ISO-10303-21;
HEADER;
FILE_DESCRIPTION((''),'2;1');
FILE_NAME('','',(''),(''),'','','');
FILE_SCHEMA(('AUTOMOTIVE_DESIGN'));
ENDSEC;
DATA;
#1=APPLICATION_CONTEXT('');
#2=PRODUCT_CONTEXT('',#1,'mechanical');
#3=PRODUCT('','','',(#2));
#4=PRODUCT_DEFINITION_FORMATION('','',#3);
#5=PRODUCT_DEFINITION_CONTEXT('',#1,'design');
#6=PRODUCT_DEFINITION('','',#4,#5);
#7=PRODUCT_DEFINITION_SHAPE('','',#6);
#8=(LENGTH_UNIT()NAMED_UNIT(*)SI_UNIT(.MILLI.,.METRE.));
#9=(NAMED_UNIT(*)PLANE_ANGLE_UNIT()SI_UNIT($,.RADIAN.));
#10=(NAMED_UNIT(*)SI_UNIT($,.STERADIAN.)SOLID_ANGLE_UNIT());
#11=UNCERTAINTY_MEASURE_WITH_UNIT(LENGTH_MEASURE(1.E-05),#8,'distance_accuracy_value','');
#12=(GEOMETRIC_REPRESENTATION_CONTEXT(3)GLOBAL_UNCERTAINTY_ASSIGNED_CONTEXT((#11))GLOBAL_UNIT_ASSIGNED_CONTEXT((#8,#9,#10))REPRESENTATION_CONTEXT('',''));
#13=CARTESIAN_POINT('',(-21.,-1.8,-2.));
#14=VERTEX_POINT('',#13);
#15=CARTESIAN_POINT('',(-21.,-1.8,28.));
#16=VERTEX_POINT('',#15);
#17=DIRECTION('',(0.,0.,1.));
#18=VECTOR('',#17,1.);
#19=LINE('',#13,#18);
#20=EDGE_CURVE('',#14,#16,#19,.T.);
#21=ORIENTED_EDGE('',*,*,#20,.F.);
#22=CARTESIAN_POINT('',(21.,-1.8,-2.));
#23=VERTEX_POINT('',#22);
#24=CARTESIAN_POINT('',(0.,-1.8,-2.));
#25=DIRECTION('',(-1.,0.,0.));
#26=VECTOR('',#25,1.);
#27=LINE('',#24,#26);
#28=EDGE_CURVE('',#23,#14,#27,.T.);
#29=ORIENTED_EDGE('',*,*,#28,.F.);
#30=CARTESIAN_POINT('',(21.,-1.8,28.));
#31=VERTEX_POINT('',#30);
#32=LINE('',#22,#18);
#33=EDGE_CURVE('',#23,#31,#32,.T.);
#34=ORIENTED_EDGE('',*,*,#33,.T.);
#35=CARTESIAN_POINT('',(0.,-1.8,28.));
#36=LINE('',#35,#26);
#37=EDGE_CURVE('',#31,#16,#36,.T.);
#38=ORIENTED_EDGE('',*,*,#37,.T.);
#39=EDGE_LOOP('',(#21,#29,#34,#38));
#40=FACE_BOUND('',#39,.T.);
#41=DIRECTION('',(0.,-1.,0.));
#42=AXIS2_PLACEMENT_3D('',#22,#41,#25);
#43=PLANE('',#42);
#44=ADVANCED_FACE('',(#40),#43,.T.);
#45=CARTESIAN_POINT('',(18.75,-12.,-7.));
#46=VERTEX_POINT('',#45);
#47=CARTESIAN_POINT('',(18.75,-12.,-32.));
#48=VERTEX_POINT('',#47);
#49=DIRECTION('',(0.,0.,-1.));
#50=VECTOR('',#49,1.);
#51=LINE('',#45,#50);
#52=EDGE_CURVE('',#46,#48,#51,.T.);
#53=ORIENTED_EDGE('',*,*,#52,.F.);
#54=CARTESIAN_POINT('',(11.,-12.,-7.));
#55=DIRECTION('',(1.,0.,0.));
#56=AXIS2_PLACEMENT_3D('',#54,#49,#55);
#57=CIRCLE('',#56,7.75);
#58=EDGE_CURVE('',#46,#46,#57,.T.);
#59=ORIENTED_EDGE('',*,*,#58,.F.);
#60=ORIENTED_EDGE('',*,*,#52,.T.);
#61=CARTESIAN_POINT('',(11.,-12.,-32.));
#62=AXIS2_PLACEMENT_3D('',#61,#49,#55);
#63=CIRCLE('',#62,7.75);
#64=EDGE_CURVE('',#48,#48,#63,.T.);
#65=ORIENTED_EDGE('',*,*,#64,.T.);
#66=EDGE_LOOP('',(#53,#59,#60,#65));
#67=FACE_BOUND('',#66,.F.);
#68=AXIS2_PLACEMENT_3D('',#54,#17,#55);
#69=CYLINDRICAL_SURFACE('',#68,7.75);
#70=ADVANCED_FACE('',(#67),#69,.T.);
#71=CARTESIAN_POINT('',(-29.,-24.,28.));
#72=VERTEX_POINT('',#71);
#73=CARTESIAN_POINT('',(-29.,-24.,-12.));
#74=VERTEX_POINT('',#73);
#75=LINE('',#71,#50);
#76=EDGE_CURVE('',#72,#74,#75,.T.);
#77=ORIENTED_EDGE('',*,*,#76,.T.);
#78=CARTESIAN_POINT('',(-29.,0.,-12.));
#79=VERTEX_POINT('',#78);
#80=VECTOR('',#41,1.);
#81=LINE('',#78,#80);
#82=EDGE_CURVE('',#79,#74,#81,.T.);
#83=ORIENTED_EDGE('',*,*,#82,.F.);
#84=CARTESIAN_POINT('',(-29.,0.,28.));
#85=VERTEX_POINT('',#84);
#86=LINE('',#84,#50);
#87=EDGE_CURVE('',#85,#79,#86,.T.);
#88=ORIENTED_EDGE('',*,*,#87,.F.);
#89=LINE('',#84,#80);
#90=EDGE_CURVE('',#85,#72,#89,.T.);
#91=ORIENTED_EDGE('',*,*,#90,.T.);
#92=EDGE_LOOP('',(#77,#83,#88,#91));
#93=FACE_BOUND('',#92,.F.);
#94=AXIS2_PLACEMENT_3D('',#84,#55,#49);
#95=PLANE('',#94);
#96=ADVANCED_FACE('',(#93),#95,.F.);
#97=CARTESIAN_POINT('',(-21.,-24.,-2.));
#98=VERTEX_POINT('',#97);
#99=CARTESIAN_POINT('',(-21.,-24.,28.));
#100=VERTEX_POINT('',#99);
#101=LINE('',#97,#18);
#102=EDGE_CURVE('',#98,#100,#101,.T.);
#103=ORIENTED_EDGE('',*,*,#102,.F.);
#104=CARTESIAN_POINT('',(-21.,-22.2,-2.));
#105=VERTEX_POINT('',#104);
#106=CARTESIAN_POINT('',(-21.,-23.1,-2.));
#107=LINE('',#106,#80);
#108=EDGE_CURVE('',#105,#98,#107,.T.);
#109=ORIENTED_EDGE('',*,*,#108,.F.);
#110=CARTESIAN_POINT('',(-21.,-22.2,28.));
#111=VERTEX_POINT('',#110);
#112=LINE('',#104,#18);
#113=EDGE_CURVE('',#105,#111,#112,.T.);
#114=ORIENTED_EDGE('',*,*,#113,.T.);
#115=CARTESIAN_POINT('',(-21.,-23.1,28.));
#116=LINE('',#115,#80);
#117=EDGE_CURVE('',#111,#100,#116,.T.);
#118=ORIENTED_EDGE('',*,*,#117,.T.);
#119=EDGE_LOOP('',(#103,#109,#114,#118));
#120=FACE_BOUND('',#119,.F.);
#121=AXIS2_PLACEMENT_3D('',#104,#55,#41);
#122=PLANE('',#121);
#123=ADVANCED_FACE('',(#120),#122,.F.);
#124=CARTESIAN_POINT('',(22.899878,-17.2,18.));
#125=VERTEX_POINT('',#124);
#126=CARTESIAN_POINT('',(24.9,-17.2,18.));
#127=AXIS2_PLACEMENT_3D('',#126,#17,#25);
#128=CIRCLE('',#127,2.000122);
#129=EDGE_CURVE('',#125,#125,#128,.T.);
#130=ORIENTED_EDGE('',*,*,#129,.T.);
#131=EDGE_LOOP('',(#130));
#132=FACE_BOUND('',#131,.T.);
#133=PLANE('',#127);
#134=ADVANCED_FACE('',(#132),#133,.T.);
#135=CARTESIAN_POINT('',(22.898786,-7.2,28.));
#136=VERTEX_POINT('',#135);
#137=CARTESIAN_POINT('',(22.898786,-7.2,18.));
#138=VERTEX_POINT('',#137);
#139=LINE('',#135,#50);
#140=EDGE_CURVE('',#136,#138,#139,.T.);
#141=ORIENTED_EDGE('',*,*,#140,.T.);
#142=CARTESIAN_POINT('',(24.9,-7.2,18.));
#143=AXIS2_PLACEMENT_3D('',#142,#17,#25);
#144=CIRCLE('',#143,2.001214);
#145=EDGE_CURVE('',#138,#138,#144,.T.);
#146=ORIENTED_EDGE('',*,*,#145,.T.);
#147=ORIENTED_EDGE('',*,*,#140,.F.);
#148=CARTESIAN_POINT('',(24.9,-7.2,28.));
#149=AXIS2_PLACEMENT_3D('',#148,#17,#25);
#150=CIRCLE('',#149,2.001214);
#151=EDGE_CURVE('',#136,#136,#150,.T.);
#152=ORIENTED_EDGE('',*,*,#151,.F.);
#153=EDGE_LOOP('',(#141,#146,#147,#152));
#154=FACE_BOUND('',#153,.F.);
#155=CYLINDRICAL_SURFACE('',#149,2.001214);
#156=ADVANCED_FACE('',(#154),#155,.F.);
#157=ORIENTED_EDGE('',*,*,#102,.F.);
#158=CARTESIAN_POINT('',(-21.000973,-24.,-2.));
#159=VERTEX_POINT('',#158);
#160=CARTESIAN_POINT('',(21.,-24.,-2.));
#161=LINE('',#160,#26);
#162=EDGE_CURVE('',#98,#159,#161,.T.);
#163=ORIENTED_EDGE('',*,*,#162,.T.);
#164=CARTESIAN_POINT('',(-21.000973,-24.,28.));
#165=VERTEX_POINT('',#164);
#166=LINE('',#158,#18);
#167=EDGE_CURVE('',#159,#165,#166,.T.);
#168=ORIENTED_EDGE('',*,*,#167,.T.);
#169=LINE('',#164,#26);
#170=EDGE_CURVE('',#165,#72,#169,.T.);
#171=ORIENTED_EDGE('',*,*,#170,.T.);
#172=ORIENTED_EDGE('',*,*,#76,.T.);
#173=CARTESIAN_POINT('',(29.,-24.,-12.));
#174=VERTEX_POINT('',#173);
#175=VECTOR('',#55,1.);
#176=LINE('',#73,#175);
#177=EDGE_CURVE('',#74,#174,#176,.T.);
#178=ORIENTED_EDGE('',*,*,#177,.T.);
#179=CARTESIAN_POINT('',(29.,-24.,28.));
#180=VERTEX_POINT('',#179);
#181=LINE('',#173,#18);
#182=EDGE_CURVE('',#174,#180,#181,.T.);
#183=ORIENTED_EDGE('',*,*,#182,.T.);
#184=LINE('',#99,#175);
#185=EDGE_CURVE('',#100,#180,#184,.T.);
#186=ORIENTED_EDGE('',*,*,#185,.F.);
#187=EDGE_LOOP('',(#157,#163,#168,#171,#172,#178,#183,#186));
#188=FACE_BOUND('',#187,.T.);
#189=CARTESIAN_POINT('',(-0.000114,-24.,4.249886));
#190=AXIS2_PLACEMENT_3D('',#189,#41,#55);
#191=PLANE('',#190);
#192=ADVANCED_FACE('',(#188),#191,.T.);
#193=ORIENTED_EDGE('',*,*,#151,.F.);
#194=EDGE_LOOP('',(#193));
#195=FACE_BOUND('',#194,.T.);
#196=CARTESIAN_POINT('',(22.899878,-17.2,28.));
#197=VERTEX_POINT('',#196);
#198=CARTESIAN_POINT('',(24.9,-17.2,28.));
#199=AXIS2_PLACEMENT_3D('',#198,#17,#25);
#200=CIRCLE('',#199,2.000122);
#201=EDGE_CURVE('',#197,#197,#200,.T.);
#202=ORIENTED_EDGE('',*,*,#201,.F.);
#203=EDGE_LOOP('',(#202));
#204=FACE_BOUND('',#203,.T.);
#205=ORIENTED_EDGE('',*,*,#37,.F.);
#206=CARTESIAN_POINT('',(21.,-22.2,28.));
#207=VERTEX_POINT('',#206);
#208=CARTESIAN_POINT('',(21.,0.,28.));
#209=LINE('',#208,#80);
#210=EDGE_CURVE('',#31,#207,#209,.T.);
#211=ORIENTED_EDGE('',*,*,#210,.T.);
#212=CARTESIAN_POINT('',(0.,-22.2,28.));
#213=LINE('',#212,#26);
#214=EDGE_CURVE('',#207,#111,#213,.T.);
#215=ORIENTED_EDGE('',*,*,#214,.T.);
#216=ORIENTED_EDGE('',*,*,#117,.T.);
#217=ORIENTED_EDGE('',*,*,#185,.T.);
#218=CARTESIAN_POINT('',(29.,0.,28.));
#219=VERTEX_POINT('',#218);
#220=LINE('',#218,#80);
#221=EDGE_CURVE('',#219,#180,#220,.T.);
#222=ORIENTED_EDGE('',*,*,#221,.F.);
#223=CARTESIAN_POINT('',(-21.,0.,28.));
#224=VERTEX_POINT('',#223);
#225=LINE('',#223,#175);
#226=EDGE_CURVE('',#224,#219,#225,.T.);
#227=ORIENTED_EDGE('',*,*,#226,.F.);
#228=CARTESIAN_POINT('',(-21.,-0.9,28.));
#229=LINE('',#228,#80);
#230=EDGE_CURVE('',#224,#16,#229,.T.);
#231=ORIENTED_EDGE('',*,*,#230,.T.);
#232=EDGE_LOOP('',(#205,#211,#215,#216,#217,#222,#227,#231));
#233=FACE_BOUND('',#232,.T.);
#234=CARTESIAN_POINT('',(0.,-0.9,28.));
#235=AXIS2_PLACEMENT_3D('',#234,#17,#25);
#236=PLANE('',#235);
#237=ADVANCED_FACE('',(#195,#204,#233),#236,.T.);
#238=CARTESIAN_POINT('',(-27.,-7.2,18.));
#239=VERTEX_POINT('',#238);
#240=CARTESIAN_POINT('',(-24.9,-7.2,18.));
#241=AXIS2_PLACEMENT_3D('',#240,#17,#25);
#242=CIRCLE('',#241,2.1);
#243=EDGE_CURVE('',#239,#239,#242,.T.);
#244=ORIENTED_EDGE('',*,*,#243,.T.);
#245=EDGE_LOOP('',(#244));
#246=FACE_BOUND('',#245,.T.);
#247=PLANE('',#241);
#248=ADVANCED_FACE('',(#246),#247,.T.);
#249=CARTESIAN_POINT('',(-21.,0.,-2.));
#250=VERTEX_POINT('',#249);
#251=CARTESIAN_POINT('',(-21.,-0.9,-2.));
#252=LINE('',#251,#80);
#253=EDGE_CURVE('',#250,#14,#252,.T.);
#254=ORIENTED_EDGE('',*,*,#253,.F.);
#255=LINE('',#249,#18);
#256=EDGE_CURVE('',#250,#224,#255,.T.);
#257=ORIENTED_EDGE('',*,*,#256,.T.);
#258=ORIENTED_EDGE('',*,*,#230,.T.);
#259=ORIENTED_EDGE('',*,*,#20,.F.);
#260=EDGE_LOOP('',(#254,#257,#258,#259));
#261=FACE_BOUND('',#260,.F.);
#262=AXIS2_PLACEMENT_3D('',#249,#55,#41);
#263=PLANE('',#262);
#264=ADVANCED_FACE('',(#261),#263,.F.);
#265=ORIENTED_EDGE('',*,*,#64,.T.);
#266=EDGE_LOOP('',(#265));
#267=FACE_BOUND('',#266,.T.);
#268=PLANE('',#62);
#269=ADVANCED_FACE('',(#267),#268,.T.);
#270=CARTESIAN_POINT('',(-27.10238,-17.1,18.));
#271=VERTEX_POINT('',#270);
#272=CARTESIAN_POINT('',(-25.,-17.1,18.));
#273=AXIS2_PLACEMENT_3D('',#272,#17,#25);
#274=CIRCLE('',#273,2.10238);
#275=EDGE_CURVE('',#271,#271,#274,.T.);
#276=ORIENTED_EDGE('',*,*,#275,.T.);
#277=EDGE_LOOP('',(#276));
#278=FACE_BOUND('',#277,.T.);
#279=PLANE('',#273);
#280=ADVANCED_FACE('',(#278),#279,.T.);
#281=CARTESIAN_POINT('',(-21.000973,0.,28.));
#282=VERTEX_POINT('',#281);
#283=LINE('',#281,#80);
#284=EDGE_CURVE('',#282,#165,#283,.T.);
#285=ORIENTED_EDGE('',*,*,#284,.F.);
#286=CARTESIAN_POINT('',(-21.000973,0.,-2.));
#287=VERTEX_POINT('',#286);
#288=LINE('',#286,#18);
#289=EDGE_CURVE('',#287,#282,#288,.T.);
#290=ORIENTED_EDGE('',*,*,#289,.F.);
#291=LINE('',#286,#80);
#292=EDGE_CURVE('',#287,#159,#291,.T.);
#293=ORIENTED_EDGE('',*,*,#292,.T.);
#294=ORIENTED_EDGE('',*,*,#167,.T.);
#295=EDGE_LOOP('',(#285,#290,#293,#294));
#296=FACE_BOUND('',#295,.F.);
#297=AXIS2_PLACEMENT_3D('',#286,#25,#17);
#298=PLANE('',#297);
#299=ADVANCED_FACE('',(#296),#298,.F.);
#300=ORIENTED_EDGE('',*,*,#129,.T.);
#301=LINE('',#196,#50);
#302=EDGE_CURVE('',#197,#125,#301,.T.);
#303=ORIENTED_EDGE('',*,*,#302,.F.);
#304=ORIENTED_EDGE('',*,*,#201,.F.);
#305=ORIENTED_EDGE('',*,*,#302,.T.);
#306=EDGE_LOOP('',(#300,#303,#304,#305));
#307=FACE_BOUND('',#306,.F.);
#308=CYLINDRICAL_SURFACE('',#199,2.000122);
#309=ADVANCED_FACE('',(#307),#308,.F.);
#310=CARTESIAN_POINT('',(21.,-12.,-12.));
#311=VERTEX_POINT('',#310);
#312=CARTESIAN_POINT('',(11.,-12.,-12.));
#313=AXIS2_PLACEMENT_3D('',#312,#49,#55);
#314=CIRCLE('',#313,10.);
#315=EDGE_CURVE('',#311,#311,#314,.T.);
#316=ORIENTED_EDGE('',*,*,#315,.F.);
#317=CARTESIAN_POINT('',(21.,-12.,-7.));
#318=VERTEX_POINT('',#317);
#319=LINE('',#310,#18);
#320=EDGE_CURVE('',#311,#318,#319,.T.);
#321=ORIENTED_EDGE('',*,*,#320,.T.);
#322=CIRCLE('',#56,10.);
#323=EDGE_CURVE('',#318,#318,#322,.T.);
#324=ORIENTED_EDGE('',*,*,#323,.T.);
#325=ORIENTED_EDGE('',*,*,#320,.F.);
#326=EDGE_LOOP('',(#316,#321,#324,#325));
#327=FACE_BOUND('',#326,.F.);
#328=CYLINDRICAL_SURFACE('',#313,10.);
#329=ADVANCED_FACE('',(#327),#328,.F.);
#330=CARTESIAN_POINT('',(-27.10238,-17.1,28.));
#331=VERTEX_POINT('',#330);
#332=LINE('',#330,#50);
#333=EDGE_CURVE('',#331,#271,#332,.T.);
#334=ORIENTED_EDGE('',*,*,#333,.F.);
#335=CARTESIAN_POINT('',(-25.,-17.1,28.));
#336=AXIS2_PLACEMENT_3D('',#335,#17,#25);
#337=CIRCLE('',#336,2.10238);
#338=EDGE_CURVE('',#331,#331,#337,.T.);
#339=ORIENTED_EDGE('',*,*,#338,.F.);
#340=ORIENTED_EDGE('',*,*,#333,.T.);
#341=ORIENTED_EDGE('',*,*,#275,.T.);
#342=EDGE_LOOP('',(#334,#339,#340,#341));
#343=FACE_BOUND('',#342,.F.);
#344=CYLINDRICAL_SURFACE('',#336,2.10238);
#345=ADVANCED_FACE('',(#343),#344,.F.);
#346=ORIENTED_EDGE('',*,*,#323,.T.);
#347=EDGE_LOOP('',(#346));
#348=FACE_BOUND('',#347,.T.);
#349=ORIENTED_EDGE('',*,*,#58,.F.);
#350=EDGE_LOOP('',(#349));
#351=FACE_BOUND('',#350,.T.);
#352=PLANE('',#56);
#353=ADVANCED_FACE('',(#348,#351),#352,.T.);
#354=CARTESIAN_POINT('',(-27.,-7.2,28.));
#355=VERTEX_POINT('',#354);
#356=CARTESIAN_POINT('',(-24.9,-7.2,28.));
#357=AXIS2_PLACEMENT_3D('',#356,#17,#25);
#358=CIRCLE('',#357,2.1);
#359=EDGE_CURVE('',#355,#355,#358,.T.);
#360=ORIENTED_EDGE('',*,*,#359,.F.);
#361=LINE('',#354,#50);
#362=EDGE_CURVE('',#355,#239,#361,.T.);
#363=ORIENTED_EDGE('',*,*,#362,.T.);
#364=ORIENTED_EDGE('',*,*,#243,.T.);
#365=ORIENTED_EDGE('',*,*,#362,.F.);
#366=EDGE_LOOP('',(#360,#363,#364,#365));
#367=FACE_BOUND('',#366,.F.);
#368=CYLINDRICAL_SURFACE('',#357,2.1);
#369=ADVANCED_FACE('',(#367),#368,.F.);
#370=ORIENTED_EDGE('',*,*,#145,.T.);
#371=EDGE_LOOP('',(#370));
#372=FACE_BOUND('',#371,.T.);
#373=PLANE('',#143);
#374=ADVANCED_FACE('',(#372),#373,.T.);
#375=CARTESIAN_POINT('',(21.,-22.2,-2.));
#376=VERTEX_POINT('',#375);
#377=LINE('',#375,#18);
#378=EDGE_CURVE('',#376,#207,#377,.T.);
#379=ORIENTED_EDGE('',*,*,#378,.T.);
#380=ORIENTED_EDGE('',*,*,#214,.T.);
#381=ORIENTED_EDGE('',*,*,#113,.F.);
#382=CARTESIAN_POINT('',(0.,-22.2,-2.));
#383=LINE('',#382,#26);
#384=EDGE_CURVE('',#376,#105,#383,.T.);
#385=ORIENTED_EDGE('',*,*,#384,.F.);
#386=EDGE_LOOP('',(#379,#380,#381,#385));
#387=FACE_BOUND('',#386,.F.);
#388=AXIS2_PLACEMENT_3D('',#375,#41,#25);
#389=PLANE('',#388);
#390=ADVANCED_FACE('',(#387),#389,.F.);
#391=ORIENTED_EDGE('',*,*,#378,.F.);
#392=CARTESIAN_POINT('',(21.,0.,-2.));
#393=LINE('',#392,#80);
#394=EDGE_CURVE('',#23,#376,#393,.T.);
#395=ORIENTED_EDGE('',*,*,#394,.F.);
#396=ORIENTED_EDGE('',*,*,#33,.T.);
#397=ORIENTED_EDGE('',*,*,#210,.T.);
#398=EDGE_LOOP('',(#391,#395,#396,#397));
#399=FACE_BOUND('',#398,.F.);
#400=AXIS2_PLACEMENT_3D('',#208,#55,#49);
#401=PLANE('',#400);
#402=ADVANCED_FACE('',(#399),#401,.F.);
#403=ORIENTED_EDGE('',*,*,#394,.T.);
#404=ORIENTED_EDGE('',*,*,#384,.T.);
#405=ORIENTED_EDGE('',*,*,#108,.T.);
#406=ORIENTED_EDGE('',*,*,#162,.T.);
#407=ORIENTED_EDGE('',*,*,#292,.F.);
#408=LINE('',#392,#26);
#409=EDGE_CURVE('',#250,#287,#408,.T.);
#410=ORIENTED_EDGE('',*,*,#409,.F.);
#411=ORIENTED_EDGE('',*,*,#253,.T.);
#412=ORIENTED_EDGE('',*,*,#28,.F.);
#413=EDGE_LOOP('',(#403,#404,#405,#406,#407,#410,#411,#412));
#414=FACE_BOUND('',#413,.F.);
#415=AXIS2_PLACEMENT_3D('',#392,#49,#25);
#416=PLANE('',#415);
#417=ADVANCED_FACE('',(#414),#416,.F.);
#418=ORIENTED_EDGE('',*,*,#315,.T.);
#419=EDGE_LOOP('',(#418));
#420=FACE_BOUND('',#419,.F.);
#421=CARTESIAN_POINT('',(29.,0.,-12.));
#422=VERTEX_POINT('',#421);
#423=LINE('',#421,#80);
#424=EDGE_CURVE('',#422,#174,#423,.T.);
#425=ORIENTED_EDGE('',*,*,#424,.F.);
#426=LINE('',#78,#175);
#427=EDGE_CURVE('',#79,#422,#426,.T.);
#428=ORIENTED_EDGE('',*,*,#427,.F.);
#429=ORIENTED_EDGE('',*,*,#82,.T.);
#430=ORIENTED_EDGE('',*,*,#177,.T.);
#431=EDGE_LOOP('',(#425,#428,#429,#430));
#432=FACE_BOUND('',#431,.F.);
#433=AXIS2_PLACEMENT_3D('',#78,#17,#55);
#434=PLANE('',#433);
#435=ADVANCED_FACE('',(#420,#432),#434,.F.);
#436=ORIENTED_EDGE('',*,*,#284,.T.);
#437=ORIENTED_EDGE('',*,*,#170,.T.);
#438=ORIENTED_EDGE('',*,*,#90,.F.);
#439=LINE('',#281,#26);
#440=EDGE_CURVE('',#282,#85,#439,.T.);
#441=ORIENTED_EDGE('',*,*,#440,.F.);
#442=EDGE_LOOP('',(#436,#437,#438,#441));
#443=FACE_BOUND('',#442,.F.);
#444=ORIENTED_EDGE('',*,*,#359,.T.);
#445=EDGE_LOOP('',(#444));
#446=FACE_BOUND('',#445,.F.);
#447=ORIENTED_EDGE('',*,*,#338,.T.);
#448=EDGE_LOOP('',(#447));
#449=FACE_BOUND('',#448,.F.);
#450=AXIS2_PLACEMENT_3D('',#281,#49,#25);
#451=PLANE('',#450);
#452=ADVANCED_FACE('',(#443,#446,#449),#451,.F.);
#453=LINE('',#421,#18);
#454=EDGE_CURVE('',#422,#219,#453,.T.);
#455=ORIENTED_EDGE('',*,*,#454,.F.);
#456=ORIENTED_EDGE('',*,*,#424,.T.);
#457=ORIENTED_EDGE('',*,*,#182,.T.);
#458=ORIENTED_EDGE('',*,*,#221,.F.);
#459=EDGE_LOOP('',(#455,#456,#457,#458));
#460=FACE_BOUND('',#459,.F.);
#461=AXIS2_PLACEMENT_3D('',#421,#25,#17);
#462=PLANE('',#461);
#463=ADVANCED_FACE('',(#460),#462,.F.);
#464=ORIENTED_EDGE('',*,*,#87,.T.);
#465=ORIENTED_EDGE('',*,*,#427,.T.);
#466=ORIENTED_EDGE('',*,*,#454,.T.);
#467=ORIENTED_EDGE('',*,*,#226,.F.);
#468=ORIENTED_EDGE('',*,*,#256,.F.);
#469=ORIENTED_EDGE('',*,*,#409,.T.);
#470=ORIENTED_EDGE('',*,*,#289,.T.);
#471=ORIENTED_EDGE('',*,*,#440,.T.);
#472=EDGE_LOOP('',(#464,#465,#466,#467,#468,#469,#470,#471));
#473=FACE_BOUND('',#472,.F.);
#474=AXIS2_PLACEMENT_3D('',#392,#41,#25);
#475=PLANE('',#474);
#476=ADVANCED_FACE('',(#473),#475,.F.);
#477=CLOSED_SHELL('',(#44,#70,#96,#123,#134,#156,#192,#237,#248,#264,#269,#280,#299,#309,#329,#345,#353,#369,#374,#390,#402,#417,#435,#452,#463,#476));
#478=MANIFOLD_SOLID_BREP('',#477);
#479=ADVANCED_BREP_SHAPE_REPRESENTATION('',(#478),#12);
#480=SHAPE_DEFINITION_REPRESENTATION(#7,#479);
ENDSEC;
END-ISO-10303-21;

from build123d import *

# Parameters (mm, degrees)
PAD_DEPTH       = 24
SKETCH003_W     = 42
SKETCH003_H     = 1.8
PAD002_DEPTH    = 30
SKETCH001_R     = 10
POCKET_DEPTH    = 5
SKETCH004_R     = 7.75
PAD003_DEPTH    = 25
SKETCH005_R     = 2.000122
SKETCH005_R_2   = 2.001214
SKETCH005_R_3   = 2.1
SKETCH005_R_4   = 2.10238
POCKET001_DEPTH = 10


with BuildPart() as part:
    # Sketch → Pad (new body)
    with BuildSketch(Plane.XZ):
        Polygon((-21.000973, 28), (-29, 28), (-29, -2), (-29, -12), (29, -12), (29, 28), (21, 28), (21, -2), (-21.000973, -2), align=None)
    extrude(amount=PAD_DEPTH)

    # Sketch003 → Pad002 (join)
    with BuildSketch(Plane(origin=(0, 0, -2), x_dir=(-1, 0, 0), z_dir=(0, 0, 1))):
        with Locations((0, 0.9)):
            Rectangle(SKETCH003_W, SKETCH003_H)
        with Locations((0, 23.1)):
            Rectangle(SKETCH003_W, SKETCH003_H)
    extrude(amount=PAD002_DEPTH)

    # Sketch001 (on Face5 of Pad) → Pocket (cut)
    with BuildSketch(Plane(origin=(0, 0, -12), x_dir=(1, 0, 0), z_dir=(0, 0, -1))):
        with Locations((11, 12)):
            Circle(SKETCH001_R)
    extrude(amount=-POCKET_DEPTH, mode=Mode.SUBTRACT)

    # Sketch004 (on Face21 of Pocket) → Pad003 (join)
    with BuildSketch(Plane(origin=(0, 0, -7), x_dir=(1, 0, 0), z_dir=(0, 0, -1))):
        with Locations((11, 12)):
            Circle(SKETCH004_R)
    extrude(amount=PAD003_DEPTH)

    # Sketch005 (on Face15 of Pad003) → Pocket001 (cut)
    with BuildSketch(Plane(origin=(0, 0, 28), x_dir=(-1, 0, 0), z_dir=(0, 0, 1))):
        with Locations((-24.9, 17.2)):
            Circle(SKETCH005_R)
        with Locations((-24.9, 7.2)):
            Circle(SKETCH005_R_2)
        with Locations((24.9, 7.2)):
            Circle(SKETCH005_R_3)
        with Locations((25, 17.1)):
            Circle(SKETCH005_R_4)
    extrude(amount=-POCKET001_DEPTH, mode=Mode.SUBTRACT)


solid = part.part
